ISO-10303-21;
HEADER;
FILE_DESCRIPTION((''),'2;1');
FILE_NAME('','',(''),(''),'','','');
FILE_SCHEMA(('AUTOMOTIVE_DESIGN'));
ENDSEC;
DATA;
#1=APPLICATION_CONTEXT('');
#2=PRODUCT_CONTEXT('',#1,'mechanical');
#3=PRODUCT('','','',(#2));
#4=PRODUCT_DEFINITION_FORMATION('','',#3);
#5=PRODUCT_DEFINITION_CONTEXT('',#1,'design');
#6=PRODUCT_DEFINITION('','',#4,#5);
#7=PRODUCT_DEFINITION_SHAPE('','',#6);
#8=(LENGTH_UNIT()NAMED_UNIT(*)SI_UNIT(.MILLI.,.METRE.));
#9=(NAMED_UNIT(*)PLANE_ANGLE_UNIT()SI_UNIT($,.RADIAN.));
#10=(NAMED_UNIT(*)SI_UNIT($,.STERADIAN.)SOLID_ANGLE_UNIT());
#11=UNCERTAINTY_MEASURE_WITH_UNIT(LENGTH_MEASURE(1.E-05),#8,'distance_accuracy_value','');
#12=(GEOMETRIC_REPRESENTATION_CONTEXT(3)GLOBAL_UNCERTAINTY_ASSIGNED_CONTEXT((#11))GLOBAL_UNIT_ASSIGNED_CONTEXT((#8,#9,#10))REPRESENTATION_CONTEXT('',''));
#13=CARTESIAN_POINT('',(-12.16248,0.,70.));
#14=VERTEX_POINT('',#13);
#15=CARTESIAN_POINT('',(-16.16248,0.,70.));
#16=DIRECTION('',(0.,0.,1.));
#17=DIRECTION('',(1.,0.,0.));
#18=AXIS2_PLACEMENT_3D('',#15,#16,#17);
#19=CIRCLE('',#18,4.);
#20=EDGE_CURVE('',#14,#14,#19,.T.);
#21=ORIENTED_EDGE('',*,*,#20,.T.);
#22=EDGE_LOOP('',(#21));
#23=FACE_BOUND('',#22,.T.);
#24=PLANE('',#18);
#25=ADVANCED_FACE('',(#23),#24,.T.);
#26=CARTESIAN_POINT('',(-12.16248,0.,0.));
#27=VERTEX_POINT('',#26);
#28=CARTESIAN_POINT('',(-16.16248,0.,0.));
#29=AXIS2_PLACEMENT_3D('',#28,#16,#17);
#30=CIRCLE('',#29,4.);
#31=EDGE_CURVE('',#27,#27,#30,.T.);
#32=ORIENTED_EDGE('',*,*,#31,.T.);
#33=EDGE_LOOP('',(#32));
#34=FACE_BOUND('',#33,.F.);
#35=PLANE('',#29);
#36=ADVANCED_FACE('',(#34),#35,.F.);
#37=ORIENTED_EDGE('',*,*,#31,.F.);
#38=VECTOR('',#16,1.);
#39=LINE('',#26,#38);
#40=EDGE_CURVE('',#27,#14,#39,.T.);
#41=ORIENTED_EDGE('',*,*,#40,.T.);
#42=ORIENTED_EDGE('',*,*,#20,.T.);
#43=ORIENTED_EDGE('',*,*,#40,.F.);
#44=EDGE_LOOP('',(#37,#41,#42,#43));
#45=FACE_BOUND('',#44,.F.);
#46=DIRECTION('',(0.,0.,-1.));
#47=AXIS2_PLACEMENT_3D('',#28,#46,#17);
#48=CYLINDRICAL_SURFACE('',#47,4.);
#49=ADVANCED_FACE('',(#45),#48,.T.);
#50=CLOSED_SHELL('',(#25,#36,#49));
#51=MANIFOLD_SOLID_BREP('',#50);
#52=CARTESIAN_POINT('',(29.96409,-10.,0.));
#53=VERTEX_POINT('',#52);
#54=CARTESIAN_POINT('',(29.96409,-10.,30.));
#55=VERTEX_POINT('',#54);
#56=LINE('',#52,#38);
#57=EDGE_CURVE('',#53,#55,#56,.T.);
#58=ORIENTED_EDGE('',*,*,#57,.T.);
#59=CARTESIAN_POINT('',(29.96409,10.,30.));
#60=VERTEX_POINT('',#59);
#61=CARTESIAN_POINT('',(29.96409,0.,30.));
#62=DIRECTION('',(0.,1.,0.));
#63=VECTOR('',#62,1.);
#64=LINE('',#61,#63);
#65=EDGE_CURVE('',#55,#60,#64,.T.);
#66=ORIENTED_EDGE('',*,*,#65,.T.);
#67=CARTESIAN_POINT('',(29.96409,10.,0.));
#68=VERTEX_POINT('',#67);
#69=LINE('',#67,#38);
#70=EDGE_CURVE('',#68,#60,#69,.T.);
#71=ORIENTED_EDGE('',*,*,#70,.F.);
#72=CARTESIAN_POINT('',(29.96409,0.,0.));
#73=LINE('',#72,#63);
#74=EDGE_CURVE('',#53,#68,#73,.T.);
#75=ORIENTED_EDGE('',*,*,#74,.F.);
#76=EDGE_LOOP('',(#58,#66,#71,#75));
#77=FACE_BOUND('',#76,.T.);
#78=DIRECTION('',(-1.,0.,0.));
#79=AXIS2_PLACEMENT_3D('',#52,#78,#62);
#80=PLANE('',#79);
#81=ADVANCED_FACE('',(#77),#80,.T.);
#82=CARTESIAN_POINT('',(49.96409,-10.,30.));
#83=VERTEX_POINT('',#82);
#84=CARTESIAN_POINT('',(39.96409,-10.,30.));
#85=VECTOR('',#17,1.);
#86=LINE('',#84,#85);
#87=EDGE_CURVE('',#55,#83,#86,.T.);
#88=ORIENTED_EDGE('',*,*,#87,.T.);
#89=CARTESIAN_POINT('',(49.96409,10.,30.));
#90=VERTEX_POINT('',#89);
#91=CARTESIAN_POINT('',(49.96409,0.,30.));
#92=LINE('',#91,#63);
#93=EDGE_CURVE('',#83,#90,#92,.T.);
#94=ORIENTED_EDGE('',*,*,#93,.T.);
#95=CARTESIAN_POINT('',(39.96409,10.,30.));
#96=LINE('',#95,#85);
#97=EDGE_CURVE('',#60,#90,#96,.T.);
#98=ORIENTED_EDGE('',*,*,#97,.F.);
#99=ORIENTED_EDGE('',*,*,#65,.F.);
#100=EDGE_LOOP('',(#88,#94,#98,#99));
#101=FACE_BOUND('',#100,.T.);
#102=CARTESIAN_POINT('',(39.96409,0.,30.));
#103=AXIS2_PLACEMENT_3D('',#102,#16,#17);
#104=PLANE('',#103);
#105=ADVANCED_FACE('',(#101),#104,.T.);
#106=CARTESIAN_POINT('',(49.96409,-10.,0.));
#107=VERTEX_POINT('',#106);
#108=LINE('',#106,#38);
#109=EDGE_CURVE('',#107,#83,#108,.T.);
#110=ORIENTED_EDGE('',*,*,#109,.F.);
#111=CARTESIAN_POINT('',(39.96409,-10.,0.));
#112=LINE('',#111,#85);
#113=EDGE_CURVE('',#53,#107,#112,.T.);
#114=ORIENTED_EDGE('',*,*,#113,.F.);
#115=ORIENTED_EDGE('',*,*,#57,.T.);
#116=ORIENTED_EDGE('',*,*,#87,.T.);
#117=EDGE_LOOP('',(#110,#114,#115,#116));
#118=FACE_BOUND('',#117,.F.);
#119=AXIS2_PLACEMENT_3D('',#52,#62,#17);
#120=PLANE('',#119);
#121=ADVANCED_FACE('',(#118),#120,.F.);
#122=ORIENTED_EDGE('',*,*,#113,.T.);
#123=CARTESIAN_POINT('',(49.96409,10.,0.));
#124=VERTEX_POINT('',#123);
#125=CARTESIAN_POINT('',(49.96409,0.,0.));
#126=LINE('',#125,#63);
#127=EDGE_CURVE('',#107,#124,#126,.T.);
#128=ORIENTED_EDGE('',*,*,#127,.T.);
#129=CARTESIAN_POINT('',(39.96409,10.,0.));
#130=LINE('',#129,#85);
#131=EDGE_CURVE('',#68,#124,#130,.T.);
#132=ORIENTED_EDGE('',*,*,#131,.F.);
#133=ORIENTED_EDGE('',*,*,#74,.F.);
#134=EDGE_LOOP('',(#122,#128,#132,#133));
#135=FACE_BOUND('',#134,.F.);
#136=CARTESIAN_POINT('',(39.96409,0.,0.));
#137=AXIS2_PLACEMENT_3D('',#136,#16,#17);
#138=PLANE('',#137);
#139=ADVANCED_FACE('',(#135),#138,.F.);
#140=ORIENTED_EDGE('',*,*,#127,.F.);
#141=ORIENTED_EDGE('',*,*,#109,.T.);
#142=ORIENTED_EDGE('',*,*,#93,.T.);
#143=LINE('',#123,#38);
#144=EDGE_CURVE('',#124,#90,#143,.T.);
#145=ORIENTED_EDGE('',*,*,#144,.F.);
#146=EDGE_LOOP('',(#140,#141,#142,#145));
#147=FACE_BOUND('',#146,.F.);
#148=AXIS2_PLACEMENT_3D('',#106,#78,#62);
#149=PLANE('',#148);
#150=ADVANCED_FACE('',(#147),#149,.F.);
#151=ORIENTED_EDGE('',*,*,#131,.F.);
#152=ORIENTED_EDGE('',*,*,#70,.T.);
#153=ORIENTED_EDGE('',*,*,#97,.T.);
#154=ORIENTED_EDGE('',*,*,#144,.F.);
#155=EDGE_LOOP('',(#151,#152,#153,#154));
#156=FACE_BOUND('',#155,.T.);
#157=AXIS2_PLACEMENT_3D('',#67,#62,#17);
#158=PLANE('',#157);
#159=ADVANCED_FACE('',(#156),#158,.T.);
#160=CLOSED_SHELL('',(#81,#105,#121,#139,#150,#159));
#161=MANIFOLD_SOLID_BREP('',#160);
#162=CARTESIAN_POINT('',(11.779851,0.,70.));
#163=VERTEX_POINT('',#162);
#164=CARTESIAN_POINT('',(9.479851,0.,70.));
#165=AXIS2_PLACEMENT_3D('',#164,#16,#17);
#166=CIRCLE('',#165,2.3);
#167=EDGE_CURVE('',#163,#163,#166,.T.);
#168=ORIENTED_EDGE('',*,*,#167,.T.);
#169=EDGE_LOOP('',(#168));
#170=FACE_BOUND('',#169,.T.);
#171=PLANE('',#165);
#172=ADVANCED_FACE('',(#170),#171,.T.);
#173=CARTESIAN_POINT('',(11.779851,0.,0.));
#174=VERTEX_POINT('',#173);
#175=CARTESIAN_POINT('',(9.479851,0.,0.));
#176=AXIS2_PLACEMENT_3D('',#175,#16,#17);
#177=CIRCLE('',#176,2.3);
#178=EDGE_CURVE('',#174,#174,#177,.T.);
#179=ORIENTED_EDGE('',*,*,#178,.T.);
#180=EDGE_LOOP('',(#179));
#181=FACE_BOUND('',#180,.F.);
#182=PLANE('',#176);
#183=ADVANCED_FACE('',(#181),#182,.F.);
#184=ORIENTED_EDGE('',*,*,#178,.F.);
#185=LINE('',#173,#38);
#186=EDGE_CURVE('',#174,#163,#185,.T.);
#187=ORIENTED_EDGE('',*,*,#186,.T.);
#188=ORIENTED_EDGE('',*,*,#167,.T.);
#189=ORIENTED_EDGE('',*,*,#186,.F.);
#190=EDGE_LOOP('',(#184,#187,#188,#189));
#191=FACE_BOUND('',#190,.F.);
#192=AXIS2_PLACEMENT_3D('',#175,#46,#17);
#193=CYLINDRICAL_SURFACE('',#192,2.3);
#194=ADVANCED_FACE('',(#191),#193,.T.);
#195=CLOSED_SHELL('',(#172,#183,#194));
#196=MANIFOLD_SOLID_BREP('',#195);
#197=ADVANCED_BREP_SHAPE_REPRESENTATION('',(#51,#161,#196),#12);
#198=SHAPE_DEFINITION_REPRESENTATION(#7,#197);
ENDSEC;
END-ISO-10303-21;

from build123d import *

# Parameters (mm, degrees)
F0_R     = 4
F1_DEPTH = 70
F2_R     = 2.3
F3_DEPTH = 70
F4_W     = 20
F4_H     = 20
F5_DEPTH = 30


with BuildPart() as f1:
    # F0 (on Top) → F1 (new body)
    with BuildSketch(Plane.XY):
        with Locations((-16.16248, 0)):
            Circle(F0_R)
    extrude(amount=F1_DEPTH)


with BuildPart() as f3:
    # F2 (on Top) → F3 (new body)
    with BuildSketch(Plane.XY):
        with Locations((9.479851, 0)):
            Circle(F2_R)
    extrude(amount=F3_DEPTH)


with BuildPart() as f5:
    # F4 (on Top) → F5 (new body)
    with BuildSketch(Plane.XY):
        with Locations((39.96409, 0)):
            Rectangle(F4_W, F4_H)
    extrude(amount=F5_DEPTH)


solid = Compound([f1.part, f3.part, f5.part])
